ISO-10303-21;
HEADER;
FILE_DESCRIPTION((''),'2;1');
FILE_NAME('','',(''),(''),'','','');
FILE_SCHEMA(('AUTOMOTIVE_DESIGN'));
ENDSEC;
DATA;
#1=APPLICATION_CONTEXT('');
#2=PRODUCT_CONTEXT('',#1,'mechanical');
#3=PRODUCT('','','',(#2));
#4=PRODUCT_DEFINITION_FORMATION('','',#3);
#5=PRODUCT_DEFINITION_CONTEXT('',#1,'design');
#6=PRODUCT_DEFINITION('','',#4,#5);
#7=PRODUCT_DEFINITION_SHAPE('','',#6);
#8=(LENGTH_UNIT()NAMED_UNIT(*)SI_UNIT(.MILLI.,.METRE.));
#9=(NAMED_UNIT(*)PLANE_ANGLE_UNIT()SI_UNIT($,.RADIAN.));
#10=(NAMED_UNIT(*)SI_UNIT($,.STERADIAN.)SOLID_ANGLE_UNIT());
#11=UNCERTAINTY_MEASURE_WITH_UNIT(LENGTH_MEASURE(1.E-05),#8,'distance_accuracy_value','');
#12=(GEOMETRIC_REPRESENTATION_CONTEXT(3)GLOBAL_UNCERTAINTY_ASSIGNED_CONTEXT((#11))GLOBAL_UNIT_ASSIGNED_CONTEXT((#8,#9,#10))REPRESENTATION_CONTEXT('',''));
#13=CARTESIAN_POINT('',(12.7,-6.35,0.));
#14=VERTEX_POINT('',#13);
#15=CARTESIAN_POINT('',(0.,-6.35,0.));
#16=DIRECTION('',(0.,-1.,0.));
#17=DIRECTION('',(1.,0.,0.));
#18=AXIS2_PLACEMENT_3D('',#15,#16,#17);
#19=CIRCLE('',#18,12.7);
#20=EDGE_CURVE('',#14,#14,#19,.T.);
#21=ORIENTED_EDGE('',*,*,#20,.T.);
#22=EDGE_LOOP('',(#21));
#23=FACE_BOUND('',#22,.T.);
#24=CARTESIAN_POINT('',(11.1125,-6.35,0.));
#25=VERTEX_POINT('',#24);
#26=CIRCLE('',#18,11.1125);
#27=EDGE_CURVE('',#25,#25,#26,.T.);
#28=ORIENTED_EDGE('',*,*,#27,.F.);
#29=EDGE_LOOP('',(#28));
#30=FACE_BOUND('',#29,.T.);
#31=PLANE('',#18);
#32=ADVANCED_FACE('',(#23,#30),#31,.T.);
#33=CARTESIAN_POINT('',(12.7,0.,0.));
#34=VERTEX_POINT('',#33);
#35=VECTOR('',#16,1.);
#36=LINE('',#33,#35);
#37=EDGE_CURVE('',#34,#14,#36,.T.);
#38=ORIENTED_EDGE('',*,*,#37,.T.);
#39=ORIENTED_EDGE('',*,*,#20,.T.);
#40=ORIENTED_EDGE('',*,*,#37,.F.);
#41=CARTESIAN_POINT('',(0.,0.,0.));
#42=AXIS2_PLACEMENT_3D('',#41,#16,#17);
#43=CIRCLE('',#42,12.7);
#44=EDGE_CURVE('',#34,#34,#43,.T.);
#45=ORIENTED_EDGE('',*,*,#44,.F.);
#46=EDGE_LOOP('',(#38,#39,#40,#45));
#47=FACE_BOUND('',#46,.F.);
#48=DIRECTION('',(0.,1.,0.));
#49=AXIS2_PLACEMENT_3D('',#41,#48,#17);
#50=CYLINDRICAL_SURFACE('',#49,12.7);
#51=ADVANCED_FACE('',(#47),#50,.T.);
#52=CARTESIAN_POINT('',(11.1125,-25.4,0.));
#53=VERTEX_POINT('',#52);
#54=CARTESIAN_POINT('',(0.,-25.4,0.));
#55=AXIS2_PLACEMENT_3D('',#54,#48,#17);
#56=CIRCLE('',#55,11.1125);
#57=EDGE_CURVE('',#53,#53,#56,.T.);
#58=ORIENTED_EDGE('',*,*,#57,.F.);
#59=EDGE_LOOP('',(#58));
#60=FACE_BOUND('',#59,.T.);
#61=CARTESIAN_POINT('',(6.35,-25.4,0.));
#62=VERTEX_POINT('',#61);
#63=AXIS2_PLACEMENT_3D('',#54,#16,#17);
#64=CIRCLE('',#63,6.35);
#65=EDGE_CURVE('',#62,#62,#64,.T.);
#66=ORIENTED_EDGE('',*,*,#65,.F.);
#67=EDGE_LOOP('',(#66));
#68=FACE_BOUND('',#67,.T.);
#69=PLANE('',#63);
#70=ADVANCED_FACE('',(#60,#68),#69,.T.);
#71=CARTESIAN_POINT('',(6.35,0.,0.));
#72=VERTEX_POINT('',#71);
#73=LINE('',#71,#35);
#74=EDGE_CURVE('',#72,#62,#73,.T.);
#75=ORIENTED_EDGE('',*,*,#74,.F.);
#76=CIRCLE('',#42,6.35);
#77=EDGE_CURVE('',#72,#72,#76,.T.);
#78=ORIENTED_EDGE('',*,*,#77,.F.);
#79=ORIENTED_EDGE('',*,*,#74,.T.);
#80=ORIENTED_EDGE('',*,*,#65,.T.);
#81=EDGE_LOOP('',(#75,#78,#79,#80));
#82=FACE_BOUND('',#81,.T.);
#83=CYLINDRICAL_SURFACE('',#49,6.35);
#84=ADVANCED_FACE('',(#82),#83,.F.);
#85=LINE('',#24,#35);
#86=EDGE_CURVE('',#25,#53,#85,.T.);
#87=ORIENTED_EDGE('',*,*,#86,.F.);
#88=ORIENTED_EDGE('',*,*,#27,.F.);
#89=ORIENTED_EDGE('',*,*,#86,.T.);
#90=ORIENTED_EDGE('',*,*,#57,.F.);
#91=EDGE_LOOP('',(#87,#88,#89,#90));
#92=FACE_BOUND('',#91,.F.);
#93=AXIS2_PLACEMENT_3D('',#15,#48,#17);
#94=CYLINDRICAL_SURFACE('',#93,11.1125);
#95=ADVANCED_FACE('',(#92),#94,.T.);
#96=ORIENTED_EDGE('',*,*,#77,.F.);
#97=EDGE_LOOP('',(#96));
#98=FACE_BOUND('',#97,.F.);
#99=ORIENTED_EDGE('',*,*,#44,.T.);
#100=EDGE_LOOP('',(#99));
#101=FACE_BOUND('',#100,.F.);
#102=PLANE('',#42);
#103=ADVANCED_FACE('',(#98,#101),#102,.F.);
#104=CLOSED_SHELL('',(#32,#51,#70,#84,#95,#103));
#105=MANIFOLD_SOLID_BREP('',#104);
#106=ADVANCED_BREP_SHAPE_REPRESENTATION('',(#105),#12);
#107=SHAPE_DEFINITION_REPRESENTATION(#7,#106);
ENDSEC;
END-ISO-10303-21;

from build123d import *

# Parameters (mm, degrees)
F0_R     = 12.7
F0_R_2   = 6.35
F1_DEPTH = 25.4
F2_R     = 3.3782
F3_DEPTH = 6.35
F4_R     = 12.7
F4_R_2   = 11.1125
F5_DEPTH = 25.4
F6_R     = 4.2799
F7_DEPTH = 25.4


with BuildPart() as f1:
    # F0 (on Front) → F1 (new body)
    with BuildSketch(Plane.XZ):
        Circle(F0_R)
        Circle(F0_R_2, mode=Mode.SUBTRACT)
    extrude(amount=F1_DEPTH)

    # F4 (on face) → F5 (cut)
    with BuildSketch(Plane.XZ.offset(6.35)):
        Circle(F4_R)
        Circle(F4_R_2, mode=Mode.SUBTRACT)
    extrude(amount=F5_DEPTH, mode=Mode.SUBTRACT)


with BuildPart() as f3:
    # F2 (on Front) → F3 (new body)
    with BuildSketch(Plane.XZ):
        Circle(F2_R)
    extrude(amount=F3_DEPTH)

    # F6 (on face) → F7 (cut)
    with BuildSketch(Plane.XZ.offset(6.35)):
        Circle(F6_R)
    extrude(amount=-F7_DEPTH, mode=Mode.SUBTRACT)


solid = f1.part
